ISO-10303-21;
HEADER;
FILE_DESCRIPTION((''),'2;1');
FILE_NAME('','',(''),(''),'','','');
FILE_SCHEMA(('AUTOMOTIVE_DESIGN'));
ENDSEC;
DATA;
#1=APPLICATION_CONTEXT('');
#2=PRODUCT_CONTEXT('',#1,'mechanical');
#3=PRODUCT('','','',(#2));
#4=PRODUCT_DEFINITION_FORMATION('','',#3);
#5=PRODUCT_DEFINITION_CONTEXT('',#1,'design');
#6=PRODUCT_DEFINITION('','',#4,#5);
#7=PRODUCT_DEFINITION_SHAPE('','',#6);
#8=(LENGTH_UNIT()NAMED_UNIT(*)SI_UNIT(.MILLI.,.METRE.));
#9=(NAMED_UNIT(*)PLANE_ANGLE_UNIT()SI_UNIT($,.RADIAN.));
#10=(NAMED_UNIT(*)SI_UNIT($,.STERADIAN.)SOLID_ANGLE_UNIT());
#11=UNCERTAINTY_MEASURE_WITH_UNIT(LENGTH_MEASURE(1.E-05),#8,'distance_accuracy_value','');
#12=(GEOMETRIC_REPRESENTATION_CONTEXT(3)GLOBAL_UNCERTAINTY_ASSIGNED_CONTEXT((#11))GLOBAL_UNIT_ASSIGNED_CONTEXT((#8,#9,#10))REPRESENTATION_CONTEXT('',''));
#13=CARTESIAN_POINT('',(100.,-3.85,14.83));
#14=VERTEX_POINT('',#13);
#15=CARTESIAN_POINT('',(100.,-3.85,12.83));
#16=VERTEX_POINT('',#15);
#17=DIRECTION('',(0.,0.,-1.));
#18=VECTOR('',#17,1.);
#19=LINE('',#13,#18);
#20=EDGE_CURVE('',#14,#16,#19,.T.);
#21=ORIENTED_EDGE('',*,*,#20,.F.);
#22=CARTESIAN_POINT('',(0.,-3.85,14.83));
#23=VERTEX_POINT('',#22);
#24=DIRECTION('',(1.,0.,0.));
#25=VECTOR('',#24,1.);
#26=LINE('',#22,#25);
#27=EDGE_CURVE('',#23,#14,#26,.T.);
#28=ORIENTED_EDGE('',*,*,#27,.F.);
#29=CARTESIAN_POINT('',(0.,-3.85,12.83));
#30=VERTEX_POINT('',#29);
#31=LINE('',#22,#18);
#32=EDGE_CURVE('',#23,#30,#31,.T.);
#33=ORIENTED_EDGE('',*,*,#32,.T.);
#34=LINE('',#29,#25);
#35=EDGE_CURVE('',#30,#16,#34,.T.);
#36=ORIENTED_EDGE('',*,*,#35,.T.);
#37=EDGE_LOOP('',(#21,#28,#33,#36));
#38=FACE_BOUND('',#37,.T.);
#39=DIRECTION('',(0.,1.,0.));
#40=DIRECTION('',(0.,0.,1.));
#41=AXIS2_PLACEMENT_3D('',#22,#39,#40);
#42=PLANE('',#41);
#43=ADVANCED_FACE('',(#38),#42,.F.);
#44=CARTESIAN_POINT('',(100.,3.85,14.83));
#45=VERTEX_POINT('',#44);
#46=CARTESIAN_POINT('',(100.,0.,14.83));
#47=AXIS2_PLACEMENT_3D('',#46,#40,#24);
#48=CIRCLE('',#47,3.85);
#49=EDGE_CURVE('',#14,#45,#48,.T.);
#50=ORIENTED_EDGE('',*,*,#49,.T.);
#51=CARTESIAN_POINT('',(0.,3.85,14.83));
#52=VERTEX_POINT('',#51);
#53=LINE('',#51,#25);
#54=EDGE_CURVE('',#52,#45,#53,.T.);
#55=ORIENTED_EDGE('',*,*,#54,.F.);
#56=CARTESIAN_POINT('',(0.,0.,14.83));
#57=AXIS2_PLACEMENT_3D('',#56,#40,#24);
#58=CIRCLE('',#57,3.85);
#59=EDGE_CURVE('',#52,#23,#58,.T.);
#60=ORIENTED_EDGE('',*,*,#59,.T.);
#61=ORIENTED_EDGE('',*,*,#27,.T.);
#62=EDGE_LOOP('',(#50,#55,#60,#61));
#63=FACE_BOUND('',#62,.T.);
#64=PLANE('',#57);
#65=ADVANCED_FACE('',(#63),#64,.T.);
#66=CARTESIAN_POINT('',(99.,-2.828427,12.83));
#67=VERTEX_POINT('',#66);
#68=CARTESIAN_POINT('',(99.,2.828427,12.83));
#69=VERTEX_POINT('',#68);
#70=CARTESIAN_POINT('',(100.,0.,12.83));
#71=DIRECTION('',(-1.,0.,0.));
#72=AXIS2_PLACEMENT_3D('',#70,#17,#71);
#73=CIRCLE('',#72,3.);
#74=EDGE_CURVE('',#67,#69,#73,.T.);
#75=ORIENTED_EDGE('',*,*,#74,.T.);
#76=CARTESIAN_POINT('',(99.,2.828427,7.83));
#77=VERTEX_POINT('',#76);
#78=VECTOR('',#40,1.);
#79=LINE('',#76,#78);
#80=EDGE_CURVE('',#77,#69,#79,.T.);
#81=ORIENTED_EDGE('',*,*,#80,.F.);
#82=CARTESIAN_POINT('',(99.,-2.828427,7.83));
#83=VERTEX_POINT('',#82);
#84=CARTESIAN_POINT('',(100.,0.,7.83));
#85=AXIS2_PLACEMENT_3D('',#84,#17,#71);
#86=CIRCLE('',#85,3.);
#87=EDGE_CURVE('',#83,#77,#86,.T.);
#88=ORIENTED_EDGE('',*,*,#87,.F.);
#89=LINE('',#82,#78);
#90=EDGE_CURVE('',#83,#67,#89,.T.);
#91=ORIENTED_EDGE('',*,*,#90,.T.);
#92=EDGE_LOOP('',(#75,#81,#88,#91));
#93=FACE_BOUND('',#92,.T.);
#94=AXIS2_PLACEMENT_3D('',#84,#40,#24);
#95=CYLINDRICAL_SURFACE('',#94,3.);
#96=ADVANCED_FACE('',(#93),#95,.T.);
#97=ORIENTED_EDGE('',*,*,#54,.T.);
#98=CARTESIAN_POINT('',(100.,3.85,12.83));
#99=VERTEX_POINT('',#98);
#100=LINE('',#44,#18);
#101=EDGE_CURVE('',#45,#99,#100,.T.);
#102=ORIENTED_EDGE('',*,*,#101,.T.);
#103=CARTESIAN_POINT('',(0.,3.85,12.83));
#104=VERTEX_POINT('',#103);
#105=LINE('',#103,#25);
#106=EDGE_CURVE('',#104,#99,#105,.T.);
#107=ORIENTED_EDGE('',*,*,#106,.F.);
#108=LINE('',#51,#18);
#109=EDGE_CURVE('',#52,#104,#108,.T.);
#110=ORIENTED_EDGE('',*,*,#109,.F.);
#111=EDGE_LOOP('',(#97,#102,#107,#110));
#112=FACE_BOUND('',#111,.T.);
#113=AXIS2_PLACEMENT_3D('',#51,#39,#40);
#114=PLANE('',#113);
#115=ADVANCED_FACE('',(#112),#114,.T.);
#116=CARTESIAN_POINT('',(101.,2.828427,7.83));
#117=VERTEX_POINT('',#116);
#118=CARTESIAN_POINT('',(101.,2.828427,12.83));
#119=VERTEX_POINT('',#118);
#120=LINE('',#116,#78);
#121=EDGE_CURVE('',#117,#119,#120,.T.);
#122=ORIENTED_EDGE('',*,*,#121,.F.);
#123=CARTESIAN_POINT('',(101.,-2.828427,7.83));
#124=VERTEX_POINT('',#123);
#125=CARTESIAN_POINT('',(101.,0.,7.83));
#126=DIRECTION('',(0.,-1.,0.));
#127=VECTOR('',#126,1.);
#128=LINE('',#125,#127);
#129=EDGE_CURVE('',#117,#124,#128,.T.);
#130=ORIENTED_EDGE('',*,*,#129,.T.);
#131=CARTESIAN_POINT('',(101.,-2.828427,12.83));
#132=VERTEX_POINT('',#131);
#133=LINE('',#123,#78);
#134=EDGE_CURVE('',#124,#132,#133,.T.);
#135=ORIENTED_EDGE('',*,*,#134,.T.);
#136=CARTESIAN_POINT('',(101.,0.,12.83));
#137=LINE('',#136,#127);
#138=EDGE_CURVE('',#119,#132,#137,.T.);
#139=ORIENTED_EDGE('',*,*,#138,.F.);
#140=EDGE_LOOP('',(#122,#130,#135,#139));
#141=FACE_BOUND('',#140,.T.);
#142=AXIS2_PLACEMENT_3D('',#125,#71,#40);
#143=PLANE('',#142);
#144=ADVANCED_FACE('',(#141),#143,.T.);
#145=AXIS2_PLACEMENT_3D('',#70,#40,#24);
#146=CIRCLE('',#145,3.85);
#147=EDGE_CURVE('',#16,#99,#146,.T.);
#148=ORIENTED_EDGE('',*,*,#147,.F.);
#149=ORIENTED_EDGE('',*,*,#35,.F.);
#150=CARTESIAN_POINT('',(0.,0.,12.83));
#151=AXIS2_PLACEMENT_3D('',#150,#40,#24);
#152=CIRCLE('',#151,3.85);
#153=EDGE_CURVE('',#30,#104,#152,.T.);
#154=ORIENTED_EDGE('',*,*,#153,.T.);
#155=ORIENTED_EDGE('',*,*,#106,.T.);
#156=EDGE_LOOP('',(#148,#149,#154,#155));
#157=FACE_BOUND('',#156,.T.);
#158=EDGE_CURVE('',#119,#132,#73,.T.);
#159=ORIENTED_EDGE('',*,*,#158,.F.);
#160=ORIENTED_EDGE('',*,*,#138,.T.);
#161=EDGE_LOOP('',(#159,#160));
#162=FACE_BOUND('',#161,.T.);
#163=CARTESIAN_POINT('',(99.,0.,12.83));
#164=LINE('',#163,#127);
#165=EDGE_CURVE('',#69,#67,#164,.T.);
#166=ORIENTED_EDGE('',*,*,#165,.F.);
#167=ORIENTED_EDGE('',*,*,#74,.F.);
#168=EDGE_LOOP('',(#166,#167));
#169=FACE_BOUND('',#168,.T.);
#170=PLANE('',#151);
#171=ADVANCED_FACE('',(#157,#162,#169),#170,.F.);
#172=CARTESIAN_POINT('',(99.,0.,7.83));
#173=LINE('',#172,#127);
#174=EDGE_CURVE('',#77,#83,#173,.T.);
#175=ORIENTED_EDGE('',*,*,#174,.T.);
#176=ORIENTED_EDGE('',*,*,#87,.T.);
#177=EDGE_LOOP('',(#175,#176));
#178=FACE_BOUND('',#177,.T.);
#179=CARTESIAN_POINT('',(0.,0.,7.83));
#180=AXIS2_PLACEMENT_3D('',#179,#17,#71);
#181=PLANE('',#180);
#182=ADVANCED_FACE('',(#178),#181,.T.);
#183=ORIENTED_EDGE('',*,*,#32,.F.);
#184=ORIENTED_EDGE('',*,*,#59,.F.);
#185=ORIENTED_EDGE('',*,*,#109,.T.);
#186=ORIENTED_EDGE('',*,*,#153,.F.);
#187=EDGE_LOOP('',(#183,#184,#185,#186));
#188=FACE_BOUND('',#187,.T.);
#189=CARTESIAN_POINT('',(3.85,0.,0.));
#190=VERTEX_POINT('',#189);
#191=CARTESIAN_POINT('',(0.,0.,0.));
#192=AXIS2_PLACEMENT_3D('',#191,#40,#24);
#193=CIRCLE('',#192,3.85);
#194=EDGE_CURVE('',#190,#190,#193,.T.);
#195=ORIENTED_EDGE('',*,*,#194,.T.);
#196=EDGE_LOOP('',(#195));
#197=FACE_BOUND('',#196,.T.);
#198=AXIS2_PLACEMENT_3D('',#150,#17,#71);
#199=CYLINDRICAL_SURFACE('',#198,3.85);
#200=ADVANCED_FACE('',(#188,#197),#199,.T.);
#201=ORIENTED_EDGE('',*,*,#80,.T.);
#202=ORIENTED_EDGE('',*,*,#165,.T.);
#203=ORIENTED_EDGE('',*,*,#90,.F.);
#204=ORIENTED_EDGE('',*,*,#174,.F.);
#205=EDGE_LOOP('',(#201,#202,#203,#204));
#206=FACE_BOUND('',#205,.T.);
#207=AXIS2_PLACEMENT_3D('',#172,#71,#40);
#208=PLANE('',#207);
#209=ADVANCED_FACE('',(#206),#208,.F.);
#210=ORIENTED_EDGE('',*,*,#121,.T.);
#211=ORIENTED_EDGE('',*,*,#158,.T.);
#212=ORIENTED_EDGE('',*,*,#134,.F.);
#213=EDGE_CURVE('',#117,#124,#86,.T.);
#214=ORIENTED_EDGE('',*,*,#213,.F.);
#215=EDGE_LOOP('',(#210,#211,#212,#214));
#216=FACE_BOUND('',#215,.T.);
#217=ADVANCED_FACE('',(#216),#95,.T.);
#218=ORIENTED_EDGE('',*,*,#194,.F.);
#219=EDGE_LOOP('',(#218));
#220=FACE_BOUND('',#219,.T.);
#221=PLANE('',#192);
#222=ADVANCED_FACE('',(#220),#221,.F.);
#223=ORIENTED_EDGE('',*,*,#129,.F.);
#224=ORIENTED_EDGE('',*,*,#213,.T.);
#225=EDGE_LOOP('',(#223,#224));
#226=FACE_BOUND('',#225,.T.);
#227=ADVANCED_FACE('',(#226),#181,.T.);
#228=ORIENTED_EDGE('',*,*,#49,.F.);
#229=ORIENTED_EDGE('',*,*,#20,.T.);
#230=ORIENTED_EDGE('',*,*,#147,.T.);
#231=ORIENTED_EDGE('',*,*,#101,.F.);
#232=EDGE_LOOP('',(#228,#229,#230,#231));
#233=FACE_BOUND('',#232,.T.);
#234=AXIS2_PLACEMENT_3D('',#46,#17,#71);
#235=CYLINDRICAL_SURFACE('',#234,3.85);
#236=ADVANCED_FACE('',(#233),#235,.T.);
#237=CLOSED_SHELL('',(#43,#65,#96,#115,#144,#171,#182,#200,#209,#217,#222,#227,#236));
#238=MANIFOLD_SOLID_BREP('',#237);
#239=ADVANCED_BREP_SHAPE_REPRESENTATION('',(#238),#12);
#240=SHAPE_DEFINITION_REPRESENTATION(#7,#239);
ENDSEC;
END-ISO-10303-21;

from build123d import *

# Parameters (mm, degrees)
SKETCH1_R           = 3.85
BOSS_EXTRUDE1_DEPTH = 12.83
SKETCH2_R           = 3.85
BOSS_EXTRUDE3_DEPTH = 2
BOSS_EXTRUDE5_DEPTH = 5


with BuildPart() as part:
    # Sketch1 → Boss-Extrude1 (new body)
    with BuildSketch(Plane.XY):
        with Locations(Location((0, 0, 0), (0, 0, 180))):
            Circle(SKETCH1_R)
    extrude(amount=BOSS_EXTRUDE1_DEPTH)

    # Sketch2 → Boss-Extrude3 (add)
    with BuildSketch(Plane.XY.offset(12.83)):
        with Locations((100, 0)):
            Circle(SKETCH2_R)
        with BuildLine():
            Line((100, 3.85), (0, 3.85))
            ThreePointArc((0, 3.85), (2.722361108, 2.722361108), (3.85, 0))
            ThreePointArc((3.85, 0), (2.722361108, -2.722361108), (0, -3.85))
            Line((0, -3.85), (100, -3.85))
            ThreePointArc((100, -3.85), (96.15, 0), (100, 3.85))
        make_face()
        with BuildLine():
            ThreePointArc((3.85, 0), (2.722361108, 2.722361108), (0, 3.85))
            Line((0, 3.85), (0, -3.85))
            ThreePointArc((0, -3.85), (2.722361108, -2.722361108), (3.85, 0))
        make_face()
        with BuildLine():
            Line((0, -3.85), (0, 3.85))
            ThreePointArc((0, 3.85), (-3.85, 0), (0, -3.85))
        make_face()
    extrude(amount=BOSS_EXTRUDE3_DEPTH)

    # Sketch3 → Boss-Extrude5 (add)
    with BuildSketch(Plane(origin=(0, 0, 12.83), x_dir=(-1, 0, 0), z_dir=(0, 0, -1))):
        with BuildLine():
            Line((-101, -2.828427125), (-101, 2.828427125))
            ThreePointArc((-101, 2.828427125), (-103, 0), (-101, -2.828427125))
        make_face()
        with BuildLine():
            ThreePointArc((-97, 0), (-97.550510257, 1.732050808), (-99, 2.828427125))
            Line((-99, 2.828427125), (-99, -2.828427125))
            ThreePointArc((-99, -2.828427125), (-97.550510257, -1.732050808), (-97, 0))
        make_face()
    extrude(amount=BOSS_EXTRUDE5_DEPTH)


solid = part.part
